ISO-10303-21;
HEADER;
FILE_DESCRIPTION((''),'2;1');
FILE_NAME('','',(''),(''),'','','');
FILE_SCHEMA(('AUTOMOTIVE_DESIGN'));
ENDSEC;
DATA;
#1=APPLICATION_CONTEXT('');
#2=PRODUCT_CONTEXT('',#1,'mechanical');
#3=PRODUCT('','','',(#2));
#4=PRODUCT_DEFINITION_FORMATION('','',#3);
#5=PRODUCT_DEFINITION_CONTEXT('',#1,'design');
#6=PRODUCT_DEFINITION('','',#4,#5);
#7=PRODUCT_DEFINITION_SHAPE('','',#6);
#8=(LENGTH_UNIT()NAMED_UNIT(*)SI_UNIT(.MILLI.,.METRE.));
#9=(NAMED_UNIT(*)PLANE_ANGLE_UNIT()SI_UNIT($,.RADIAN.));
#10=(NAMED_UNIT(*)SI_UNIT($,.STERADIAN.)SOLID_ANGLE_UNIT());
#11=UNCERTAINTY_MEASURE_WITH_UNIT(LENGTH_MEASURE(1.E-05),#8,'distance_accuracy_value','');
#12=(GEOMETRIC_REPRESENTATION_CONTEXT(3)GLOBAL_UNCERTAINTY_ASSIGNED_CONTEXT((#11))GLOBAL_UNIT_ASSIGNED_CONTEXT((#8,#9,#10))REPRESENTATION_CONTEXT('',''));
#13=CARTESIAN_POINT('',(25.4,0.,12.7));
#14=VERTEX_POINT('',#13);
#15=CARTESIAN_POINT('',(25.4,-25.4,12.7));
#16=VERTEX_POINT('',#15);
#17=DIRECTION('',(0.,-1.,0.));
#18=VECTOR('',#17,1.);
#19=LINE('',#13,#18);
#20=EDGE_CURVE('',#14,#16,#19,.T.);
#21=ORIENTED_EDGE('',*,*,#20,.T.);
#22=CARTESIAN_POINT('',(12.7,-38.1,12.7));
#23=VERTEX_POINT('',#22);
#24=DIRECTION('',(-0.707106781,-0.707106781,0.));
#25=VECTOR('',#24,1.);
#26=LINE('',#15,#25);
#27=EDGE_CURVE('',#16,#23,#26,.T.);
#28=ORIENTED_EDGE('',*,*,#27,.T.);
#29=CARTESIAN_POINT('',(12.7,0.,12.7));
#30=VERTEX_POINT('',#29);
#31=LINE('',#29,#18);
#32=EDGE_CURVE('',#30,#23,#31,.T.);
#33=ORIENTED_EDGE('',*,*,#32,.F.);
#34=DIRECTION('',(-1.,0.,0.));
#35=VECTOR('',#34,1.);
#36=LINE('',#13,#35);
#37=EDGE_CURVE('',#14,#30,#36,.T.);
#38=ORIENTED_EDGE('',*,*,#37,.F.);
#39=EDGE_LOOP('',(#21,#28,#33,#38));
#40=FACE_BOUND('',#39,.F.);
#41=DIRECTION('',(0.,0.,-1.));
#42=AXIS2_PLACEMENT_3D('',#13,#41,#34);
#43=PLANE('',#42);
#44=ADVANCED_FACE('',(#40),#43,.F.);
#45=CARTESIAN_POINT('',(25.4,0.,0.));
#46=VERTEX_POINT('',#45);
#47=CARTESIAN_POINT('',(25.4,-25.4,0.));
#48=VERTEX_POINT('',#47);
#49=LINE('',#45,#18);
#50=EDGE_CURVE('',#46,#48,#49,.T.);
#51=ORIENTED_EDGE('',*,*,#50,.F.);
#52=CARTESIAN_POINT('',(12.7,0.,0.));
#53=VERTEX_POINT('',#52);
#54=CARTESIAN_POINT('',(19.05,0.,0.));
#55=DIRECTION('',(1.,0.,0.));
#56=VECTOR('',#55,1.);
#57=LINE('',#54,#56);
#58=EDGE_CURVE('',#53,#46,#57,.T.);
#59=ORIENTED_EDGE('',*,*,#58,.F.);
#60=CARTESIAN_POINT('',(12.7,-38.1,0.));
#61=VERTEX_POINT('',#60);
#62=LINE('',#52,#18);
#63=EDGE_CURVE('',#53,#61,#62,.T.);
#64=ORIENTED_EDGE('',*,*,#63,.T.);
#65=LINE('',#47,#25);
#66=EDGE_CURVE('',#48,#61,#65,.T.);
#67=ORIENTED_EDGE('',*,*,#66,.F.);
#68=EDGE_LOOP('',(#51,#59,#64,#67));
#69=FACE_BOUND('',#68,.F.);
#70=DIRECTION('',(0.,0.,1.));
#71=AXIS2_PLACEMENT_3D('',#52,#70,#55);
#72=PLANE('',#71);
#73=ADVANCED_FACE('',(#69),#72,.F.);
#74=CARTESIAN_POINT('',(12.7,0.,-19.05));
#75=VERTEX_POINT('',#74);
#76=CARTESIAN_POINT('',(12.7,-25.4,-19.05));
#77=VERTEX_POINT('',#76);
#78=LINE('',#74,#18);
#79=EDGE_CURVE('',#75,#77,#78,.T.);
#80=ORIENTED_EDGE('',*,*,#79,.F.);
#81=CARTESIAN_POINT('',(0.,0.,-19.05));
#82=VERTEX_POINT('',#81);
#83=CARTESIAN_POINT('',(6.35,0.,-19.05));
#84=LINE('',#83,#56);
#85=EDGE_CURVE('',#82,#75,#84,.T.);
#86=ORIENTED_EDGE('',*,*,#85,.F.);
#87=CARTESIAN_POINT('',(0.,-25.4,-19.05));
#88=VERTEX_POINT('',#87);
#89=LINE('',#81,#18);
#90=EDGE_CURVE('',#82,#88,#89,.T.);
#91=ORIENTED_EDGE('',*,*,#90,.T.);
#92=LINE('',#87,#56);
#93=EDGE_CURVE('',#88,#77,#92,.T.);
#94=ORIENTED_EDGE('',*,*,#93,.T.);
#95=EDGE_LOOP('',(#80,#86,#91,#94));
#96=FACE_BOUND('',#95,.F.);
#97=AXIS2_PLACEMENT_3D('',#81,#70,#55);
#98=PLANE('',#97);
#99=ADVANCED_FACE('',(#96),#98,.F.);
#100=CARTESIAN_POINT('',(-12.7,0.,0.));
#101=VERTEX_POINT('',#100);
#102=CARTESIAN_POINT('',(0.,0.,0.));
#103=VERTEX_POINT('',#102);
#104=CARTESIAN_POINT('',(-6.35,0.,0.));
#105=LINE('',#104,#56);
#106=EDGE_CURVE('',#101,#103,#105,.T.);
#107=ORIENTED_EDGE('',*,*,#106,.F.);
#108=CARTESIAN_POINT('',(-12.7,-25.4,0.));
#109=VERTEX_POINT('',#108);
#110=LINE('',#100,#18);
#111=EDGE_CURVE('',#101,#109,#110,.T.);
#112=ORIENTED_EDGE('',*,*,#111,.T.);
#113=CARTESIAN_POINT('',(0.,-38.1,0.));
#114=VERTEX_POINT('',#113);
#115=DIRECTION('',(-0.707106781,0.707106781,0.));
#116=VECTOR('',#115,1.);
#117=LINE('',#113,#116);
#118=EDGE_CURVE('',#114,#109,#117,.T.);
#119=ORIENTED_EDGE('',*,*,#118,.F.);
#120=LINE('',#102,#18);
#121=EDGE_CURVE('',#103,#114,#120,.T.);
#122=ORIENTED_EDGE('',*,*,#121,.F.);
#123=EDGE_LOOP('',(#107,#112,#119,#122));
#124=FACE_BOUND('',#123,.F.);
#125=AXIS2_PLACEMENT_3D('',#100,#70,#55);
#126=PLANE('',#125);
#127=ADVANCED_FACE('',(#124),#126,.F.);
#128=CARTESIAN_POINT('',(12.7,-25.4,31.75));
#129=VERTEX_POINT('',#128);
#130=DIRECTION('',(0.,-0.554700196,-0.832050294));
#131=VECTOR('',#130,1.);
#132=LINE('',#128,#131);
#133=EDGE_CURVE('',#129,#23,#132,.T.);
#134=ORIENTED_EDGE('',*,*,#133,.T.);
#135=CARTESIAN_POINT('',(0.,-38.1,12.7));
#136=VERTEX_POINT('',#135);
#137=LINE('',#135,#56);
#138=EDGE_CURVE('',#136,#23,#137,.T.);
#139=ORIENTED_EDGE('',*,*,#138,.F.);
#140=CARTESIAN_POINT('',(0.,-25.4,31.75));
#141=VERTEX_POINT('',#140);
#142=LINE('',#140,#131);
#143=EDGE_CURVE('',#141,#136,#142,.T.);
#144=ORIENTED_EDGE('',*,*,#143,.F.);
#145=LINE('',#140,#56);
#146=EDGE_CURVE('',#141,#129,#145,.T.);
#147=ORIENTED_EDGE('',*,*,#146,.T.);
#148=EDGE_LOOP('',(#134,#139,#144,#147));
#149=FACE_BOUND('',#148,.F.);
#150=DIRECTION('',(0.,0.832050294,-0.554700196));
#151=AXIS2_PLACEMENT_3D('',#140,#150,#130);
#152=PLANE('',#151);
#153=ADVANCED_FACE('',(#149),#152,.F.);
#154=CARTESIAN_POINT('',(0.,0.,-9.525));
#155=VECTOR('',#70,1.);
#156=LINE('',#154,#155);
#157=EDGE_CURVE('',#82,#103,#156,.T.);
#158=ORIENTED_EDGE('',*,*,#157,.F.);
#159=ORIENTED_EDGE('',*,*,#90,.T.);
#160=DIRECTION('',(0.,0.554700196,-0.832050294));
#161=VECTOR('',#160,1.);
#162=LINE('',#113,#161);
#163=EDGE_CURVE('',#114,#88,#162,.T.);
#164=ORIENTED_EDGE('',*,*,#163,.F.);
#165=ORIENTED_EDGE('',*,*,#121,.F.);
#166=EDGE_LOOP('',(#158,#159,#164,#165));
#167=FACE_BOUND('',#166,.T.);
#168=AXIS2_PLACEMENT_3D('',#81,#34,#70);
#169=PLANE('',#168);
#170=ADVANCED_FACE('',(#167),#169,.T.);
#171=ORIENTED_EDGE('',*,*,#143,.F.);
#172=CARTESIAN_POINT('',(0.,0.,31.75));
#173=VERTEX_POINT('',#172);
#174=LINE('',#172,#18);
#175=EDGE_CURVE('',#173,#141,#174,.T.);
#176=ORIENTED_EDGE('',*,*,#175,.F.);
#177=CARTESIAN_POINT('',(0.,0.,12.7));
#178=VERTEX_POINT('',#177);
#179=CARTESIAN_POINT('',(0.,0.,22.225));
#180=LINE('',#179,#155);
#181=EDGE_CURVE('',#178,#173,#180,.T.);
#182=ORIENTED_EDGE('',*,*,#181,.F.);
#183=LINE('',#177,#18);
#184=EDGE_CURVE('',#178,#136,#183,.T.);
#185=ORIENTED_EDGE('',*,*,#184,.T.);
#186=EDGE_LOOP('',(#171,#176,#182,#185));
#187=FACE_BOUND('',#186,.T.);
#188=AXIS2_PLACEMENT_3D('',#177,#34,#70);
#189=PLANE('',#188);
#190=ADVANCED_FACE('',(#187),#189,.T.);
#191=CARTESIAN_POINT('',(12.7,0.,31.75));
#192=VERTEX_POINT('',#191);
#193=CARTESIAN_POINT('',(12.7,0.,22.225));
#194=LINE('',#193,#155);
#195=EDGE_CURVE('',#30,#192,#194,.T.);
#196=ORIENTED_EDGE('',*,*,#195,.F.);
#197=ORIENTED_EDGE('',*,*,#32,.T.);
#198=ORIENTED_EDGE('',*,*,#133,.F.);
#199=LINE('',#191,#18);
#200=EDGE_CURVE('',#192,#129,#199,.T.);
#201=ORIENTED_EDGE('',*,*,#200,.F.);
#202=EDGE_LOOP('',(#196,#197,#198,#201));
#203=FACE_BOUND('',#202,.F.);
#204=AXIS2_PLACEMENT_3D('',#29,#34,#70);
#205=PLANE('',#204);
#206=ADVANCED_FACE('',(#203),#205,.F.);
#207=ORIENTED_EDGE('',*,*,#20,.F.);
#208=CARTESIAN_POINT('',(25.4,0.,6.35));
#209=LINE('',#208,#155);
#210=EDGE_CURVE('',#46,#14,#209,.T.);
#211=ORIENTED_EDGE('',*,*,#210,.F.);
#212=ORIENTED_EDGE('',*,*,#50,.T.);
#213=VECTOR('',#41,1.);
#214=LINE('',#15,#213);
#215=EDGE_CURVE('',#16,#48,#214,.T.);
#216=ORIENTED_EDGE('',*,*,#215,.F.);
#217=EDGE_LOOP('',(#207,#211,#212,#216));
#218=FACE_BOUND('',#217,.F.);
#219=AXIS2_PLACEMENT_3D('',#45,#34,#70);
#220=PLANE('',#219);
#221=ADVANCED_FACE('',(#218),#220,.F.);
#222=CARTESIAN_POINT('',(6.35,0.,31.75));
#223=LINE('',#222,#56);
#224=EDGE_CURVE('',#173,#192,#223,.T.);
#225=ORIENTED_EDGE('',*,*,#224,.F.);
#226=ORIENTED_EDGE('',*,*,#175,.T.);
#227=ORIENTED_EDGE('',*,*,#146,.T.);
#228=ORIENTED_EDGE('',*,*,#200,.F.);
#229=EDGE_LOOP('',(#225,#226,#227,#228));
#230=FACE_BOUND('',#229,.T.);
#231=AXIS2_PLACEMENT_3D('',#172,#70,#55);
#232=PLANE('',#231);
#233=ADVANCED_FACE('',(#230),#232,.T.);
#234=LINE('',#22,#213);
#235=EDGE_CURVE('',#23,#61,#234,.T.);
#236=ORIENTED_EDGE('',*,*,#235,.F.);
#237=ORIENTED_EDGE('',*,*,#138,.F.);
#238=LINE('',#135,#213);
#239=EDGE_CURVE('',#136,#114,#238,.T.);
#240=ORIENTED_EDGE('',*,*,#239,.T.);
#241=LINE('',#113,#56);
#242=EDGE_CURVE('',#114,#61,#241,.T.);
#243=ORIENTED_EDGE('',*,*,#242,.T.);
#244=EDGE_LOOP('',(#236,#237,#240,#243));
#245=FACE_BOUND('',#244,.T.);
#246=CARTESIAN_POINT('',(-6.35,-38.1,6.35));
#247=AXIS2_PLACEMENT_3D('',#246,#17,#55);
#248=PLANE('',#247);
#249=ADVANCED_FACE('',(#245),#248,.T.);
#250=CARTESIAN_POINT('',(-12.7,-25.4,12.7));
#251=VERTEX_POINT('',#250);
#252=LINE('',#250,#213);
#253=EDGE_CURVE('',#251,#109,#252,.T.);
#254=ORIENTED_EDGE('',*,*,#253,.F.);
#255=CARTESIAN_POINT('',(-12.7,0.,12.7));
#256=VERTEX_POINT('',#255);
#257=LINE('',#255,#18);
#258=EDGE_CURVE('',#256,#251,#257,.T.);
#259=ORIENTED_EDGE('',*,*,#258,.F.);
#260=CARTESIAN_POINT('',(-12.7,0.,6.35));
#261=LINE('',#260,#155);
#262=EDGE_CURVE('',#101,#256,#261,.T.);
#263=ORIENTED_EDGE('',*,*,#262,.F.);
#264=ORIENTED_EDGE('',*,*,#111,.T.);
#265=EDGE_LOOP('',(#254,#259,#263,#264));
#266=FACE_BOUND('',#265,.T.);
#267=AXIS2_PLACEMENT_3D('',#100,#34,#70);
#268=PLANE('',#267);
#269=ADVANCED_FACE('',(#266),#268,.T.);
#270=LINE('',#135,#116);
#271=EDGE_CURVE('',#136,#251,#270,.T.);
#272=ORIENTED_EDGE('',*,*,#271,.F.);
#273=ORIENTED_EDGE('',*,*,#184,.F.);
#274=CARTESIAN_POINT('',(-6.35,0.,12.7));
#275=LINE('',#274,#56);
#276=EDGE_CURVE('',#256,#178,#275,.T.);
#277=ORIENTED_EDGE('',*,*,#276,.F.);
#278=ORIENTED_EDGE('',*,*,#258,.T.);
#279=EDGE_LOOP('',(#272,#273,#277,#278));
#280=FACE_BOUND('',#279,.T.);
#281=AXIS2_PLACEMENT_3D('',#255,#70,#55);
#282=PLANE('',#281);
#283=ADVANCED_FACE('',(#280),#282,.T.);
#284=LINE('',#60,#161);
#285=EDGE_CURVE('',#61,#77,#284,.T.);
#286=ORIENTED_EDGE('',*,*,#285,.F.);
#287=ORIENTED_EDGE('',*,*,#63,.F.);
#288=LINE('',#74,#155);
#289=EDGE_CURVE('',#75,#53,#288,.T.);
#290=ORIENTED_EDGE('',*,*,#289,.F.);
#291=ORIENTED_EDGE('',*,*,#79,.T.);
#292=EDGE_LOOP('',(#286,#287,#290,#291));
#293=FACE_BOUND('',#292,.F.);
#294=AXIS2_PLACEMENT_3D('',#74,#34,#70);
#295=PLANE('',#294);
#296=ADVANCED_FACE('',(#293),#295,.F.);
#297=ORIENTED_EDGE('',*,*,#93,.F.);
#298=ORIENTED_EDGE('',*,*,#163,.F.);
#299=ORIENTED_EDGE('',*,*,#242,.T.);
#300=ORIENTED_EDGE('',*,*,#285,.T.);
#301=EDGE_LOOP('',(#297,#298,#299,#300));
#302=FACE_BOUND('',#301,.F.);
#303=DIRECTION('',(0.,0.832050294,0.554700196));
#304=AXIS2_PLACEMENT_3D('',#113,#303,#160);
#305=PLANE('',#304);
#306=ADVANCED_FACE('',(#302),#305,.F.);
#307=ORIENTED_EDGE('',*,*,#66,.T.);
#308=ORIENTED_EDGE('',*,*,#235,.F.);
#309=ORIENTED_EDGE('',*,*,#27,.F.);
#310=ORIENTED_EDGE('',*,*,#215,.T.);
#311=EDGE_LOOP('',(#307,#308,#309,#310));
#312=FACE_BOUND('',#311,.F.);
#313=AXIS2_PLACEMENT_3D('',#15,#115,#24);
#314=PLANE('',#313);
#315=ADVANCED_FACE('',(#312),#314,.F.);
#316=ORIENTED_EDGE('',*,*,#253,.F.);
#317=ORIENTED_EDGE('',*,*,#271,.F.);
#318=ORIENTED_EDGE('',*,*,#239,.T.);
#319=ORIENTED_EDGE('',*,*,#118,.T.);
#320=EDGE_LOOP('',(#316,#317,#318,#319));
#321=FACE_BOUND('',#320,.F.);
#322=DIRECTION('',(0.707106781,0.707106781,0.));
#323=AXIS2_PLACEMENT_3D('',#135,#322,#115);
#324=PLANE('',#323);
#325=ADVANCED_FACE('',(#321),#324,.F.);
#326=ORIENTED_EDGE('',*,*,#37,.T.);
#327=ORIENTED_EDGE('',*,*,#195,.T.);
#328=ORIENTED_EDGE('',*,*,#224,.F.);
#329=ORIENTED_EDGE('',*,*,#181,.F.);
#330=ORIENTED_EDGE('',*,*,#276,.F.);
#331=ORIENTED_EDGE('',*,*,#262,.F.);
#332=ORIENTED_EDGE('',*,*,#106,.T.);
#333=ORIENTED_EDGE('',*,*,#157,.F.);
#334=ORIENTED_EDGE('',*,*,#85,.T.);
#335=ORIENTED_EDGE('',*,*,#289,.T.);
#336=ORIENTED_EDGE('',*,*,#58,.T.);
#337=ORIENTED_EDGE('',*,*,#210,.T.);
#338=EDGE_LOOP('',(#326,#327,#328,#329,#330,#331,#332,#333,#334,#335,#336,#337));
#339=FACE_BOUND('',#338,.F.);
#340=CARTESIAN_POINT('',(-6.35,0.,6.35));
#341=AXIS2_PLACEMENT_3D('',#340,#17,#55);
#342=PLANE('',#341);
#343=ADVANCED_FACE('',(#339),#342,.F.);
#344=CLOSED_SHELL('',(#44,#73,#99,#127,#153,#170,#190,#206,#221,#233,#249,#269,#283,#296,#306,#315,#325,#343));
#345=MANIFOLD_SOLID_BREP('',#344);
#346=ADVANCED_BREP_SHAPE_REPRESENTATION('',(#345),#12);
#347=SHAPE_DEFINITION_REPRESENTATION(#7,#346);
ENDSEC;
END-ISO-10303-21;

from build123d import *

# Parameters (mm, degrees)
F0_W      = 12.7
F0_H      = 12.7
F1_DEPTH  = 38.1
F0_H_2    = 19.05
F2_DEPTH  = 38.1
F4_DEPTH  = 12.7
F6_DEPTH  = 12.7
F8_DEPTH  = 12.7
F10_DEPTH = 12.7


with BuildPart() as f1:
    # F0 (on Front) → F1 (new body)
    with BuildSketch(Plane.XZ):
        with Locations((-6.35, 6.35)):
            Rectangle(F0_W, F0_H)
    extrude(amount=F1_DEPTH)

    # F0 (on Front) → F2 (join)
    with BuildSketch(Plane.XZ):
        with Locations((6.35, 6.35)):
            Rectangle(F0_W, F0_H)
        with Locations((-6.35, 6.35)):
            Rectangle(F0_W, F0_H)
        with Locations((6.35, -9.525)):
            Rectangle(F0_W, F0_H_2)
        with Locations((19.05, 6.35)):
            Rectangle(F0_W, F0_H)
        with Locations((6.35, 22.225)):
            Rectangle(F0_W, F0_H_2)
    extrude(amount=F2_DEPTH)

    # F3 (on face) → F4 (cut)
    with BuildSketch(Plane.XY.offset(12.7)):
        Polygon((0, -38.1), (-12.7, -25.4), (-12.7, -38.1), align=None)
    extrude(amount=-F4_DEPTH, mode=Mode.SUBTRACT)

    # F5 (on face) → F6 (cut)
    with BuildSketch(Plane.XY.offset(12.7)):
        Polygon((25.4, -25.4), (12.7, -38.1), (25.4, -38.1), align=None)
    extrude(amount=-F6_DEPTH, mode=Mode.SUBTRACT)

    # F7 (on face) → F8 (cut)
    with BuildSketch(Plane(origin=(0, 0, 0), x_dir=(0, -1, 0), z_dir=(-1, 0, 0))):
        Polygon((38.1, 31.75), (25.4, 31.75), (38.1, 12.7), align=None)
    extrude(amount=-F8_DEPTH, mode=Mode.SUBTRACT)

    # F9 (on face) → F10 (cut)
    with BuildSketch(Plane(origin=(0, 0, 0), x_dir=(0, -1, 0), z_dir=(-1, 0, 0))):
        Polygon((38.1, -19.05), (38.1, 0), (25.4, -19.05), align=None)
    extrude(amount=-F10_DEPTH, mode=Mode.SUBTRACT)


solid = f1.part
